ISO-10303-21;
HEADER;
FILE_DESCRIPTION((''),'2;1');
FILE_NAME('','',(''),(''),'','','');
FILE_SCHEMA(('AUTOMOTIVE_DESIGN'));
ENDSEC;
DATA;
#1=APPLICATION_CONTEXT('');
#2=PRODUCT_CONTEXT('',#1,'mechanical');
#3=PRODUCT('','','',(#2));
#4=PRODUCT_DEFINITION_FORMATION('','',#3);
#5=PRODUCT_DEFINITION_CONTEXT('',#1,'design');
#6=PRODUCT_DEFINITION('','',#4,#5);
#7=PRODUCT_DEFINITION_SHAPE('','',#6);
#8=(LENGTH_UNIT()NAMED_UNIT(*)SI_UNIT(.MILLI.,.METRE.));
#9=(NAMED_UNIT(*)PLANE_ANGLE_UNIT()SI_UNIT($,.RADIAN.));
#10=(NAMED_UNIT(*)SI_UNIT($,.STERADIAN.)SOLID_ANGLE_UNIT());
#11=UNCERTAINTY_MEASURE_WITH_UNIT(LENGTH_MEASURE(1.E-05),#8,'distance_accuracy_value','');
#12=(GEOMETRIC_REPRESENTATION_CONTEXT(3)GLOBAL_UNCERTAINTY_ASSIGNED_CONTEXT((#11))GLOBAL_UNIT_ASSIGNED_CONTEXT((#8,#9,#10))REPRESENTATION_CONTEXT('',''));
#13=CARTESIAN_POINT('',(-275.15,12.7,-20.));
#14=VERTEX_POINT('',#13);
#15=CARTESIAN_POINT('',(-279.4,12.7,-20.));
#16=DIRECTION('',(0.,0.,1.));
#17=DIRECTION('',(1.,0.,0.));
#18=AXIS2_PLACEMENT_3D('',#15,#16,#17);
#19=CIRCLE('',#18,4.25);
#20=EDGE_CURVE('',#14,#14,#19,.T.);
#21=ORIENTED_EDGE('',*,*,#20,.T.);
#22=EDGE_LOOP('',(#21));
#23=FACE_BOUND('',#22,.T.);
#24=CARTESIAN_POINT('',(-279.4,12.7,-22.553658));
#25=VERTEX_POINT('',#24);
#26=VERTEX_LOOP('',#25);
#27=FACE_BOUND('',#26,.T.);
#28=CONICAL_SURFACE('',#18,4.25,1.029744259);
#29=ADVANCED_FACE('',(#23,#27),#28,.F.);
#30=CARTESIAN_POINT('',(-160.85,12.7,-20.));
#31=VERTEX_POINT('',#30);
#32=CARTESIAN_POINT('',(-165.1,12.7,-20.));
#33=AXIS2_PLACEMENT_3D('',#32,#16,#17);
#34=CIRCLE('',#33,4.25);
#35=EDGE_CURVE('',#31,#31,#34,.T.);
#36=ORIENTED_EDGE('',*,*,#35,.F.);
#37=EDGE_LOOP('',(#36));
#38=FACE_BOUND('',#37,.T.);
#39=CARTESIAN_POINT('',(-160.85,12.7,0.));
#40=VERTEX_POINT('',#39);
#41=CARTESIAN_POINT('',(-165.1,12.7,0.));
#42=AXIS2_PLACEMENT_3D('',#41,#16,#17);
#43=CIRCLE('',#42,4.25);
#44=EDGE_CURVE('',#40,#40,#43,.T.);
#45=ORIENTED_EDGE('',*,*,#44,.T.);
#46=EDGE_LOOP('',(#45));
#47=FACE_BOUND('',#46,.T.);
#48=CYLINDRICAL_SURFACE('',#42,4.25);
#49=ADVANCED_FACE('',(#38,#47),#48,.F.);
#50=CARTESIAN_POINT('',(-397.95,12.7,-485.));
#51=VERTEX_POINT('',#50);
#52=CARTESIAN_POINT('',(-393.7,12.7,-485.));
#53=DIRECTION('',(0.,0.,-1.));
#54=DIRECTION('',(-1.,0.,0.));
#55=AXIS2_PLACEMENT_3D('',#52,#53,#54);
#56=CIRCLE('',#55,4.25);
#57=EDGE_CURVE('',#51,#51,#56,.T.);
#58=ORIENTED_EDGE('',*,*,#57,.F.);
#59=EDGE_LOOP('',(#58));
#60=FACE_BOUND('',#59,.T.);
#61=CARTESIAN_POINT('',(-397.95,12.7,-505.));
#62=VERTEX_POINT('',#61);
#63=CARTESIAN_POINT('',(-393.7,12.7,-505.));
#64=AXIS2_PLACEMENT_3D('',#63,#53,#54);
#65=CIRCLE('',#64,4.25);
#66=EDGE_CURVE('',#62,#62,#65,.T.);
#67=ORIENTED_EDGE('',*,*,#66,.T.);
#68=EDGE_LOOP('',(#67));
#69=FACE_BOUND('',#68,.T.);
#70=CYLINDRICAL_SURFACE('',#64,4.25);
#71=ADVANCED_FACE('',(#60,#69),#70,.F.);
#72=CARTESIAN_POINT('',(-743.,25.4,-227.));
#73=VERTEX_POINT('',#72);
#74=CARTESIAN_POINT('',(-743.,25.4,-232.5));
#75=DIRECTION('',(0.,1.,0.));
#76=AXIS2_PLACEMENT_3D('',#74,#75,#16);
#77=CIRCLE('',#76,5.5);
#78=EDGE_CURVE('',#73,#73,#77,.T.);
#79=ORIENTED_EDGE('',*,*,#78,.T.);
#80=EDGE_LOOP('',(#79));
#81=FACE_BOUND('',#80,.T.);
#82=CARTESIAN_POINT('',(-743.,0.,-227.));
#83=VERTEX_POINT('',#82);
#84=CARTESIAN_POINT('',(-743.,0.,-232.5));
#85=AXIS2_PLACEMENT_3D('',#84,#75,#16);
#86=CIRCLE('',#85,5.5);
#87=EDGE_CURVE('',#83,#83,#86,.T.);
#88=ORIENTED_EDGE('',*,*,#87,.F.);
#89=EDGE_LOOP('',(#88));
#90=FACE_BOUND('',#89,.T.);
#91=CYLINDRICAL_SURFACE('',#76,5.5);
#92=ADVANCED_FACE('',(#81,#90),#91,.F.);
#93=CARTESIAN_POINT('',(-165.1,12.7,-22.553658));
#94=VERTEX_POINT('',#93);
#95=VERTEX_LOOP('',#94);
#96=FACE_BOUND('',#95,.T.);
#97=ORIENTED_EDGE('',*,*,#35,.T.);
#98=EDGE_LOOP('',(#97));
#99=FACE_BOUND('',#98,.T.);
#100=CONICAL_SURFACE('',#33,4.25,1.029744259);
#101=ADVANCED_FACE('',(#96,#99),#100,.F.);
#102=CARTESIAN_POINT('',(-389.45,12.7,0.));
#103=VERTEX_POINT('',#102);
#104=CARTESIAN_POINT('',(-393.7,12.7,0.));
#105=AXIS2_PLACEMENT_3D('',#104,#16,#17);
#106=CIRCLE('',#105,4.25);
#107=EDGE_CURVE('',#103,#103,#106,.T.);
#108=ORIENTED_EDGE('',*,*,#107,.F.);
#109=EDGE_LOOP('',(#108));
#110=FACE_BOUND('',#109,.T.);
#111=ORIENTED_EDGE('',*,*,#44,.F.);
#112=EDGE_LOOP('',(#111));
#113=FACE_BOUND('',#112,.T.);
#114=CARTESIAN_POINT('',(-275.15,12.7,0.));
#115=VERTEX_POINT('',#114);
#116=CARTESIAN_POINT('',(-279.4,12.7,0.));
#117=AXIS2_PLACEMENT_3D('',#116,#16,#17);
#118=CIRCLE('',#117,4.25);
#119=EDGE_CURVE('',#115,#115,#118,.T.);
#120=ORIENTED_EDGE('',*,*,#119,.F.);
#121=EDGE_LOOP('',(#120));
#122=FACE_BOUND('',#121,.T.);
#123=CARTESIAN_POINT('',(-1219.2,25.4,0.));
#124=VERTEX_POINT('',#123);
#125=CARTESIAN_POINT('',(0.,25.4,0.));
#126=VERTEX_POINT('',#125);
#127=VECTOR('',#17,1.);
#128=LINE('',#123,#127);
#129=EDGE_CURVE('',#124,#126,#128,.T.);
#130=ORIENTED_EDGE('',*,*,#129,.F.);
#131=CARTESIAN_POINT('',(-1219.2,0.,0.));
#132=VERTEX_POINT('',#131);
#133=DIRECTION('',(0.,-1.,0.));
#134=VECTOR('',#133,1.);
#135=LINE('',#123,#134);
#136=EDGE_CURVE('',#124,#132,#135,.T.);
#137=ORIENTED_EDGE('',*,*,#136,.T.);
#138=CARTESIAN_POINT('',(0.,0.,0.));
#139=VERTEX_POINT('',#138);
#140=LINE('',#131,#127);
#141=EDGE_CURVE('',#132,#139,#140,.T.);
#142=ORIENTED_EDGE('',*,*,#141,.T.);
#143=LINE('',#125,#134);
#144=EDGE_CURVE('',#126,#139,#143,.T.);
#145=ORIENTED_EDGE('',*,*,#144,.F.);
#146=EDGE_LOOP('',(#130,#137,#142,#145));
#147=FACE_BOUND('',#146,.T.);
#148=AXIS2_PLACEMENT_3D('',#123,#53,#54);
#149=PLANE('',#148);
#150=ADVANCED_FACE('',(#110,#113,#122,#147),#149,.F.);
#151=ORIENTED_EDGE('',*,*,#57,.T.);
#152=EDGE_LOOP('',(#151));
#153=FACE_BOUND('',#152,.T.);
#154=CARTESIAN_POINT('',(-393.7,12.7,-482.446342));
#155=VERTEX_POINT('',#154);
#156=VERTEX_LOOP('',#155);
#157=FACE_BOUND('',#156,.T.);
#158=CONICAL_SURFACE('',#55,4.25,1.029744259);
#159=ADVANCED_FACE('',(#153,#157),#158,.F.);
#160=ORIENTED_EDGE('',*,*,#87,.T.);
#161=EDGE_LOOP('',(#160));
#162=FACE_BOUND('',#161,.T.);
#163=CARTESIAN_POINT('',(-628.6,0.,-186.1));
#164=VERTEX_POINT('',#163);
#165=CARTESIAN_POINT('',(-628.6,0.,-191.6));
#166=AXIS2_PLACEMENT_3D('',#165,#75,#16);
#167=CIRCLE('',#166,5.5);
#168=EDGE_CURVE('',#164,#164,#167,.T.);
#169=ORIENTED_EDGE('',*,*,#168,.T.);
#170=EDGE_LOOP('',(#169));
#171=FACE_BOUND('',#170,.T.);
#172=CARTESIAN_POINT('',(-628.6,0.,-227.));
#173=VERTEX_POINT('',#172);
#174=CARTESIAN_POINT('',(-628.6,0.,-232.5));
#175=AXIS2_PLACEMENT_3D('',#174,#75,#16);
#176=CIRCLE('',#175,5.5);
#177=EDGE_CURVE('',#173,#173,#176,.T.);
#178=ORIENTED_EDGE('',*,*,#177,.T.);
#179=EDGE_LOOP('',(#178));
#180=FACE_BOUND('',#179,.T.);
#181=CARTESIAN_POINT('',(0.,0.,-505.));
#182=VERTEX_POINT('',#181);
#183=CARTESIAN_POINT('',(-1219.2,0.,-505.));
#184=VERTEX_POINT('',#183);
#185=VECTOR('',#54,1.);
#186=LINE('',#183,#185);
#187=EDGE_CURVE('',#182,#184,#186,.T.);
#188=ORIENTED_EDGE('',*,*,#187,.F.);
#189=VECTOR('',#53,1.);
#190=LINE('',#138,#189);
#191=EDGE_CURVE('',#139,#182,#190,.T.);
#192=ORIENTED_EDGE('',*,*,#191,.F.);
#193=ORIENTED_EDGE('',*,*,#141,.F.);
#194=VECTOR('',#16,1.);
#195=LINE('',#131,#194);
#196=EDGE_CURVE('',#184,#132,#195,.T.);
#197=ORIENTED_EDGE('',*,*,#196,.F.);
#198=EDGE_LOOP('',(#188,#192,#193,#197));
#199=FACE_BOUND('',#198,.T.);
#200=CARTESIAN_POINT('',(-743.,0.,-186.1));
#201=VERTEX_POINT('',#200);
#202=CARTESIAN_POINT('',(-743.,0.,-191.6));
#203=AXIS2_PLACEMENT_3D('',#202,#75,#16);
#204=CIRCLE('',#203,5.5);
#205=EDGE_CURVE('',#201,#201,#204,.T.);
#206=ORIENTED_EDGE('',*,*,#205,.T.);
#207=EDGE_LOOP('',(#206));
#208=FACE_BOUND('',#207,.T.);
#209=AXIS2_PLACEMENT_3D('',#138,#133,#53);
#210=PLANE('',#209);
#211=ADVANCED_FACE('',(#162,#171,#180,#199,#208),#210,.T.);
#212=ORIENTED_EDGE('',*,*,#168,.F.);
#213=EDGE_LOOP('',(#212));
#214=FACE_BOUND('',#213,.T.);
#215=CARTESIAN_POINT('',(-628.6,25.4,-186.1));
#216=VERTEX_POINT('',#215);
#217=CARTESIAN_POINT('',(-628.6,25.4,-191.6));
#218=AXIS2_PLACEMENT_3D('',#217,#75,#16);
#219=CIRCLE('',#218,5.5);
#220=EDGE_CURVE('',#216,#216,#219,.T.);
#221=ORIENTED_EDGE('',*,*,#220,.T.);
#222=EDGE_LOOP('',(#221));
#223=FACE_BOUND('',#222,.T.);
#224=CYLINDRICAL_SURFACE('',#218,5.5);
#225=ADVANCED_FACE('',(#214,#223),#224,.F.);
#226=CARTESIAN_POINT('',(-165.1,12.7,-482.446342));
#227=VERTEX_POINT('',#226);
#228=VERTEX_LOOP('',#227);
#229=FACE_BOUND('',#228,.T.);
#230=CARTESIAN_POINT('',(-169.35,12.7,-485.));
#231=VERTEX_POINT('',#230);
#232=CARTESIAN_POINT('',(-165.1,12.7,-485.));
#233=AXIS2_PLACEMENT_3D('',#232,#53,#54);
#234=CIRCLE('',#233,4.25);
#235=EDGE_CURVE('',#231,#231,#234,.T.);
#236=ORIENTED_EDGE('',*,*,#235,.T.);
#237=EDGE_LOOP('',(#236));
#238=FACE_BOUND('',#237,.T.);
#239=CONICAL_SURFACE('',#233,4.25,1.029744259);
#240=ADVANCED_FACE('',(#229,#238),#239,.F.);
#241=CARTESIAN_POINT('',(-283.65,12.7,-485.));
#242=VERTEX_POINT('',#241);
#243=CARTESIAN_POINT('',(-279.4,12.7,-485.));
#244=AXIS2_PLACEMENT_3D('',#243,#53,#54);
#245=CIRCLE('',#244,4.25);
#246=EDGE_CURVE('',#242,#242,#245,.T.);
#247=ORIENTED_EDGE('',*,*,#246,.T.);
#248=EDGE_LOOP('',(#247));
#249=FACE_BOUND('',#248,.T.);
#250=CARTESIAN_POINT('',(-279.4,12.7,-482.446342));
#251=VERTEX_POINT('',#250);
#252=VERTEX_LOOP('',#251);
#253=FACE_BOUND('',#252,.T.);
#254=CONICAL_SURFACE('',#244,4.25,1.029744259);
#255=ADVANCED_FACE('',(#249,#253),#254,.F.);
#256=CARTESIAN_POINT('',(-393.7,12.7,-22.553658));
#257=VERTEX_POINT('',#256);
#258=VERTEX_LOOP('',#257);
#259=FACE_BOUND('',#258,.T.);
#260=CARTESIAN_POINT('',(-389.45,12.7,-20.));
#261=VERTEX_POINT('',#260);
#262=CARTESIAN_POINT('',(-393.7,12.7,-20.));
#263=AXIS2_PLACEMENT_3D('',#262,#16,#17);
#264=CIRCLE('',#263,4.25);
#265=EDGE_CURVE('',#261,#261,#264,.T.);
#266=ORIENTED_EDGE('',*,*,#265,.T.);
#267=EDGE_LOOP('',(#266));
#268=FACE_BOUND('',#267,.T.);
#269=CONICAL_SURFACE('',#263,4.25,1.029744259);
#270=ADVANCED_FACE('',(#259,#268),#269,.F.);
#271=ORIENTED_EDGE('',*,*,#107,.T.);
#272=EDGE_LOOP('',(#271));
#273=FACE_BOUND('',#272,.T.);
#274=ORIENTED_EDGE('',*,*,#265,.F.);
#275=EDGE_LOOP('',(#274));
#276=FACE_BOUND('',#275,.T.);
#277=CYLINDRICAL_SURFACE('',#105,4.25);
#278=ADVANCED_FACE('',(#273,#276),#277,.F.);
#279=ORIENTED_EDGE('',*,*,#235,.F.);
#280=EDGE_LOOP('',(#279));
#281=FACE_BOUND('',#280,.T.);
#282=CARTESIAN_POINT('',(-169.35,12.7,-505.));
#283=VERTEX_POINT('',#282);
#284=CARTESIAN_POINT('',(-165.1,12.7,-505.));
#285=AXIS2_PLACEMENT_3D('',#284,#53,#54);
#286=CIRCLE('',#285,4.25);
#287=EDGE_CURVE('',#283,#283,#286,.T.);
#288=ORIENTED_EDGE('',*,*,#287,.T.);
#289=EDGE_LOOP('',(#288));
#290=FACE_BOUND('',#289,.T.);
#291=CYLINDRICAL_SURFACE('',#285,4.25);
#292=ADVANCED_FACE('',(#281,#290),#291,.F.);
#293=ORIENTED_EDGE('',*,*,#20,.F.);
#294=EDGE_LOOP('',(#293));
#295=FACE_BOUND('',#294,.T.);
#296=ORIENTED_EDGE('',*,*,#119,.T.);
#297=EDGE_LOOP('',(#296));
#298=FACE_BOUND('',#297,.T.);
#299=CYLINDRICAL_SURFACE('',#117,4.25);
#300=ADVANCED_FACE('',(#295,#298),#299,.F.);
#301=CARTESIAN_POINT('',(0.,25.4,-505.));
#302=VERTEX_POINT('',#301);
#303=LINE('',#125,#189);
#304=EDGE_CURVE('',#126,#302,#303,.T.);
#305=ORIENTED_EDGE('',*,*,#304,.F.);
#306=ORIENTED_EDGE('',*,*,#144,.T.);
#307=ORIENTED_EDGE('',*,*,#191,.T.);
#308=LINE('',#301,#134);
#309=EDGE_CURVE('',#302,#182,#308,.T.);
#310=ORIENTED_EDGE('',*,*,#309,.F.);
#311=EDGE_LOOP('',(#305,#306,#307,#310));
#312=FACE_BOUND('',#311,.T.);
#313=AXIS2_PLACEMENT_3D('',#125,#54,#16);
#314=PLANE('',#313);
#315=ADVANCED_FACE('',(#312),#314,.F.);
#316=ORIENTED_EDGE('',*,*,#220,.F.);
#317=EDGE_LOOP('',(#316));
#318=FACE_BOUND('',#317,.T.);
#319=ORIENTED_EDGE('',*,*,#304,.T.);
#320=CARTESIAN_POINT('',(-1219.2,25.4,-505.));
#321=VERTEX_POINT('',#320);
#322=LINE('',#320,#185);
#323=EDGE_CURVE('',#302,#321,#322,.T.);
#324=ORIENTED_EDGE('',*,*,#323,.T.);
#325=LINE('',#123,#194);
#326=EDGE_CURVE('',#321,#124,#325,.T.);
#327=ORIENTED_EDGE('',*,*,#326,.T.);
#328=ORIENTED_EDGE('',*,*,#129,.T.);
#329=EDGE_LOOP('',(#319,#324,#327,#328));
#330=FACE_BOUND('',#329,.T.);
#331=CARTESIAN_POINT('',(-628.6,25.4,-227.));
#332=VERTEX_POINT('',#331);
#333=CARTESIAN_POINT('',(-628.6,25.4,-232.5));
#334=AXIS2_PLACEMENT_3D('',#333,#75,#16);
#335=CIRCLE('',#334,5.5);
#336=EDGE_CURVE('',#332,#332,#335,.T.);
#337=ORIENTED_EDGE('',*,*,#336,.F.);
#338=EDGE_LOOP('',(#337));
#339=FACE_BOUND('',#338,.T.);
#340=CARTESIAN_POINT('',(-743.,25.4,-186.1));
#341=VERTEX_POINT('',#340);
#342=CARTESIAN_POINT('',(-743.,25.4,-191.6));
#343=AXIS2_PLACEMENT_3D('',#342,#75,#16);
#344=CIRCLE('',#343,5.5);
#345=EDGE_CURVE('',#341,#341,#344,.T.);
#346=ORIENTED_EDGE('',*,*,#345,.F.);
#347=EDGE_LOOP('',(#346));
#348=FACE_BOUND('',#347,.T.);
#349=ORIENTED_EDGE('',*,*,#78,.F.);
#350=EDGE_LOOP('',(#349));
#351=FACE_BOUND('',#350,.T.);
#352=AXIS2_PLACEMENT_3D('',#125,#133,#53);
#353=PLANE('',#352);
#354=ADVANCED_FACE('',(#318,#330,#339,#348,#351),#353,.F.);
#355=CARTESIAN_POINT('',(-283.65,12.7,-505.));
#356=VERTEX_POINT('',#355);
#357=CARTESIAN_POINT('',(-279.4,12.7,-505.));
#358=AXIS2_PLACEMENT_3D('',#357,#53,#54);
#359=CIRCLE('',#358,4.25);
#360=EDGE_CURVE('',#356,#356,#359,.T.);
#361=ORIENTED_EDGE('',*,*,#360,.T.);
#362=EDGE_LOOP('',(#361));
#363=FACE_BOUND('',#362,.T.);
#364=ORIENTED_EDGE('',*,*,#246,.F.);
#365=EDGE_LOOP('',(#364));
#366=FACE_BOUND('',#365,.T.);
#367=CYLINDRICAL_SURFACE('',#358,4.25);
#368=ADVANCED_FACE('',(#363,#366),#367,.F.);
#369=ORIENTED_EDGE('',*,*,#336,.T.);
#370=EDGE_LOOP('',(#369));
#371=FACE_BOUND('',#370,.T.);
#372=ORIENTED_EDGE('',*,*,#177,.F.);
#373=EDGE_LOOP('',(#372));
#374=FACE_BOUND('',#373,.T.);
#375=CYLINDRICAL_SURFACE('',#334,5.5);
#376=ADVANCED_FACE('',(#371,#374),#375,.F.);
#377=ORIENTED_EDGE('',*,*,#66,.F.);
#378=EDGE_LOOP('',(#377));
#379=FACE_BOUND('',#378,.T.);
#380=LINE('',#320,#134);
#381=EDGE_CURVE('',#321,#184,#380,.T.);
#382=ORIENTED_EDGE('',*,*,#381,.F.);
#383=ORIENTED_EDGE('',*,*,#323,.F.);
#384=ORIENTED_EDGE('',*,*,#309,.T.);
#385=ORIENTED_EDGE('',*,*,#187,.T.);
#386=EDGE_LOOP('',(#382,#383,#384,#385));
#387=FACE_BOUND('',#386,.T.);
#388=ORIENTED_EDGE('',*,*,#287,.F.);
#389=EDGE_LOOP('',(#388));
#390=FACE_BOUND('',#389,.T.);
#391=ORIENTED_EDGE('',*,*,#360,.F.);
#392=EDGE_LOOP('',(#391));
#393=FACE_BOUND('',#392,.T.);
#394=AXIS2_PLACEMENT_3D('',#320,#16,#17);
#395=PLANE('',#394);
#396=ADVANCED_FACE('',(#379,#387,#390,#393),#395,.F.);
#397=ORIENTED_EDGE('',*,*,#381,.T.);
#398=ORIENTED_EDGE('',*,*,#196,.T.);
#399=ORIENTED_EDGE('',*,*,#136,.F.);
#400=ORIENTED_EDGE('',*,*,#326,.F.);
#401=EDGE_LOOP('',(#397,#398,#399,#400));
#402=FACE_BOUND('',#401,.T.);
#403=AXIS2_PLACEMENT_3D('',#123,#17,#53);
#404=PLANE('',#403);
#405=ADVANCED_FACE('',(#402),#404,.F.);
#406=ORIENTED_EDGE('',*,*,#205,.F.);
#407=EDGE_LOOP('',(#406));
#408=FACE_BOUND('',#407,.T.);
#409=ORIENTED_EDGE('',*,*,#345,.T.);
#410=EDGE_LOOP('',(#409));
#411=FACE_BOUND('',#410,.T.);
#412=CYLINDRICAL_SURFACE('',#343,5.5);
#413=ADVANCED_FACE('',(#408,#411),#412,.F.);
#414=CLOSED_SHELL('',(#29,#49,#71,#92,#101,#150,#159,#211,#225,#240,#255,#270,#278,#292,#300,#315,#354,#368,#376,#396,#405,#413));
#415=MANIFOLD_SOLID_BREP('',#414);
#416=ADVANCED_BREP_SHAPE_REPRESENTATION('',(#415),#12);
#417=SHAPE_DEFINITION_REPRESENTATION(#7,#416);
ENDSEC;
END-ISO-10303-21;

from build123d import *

# Parameters (mm, degrees)
SKETCH1_W                        = 1219.2
SKETCH1_H                        = 505
BOSS_EXTRUDE1_DEPTH              = 25.4
TAP_DRILL_FOR_M10X1_5_TAP1_D     = 8.5
TAP_DRILL_FOR_M10X1_5_TAP1_DEPTH = 20
TAP_DRILL_FOR_M10X1_5_TAP1_TIP   = 2.553657631
TAP_DRILL_FOR_M10X1_5_TAP2_D     = 8.5
TAP_DRILL_FOR_M10X1_5_TAP2_DEPTH = 20
TAP_DRILL_FOR_M10X1_5_TAP2_TIP   = 2.553657631
M10_CLEARANCE_HOLE1_D            = 11


with BuildPart() as part:
    # Sketch1 → Boss-Extrude1 (new body)
    with BuildSketch(Plane(origin=(0, 0, 0), x_dir=(1, 0, 0), z_dir=(0, 1, 0))):
        with Locations((-609.6, 252.5)):
            Rectangle(SKETCH1_W, SKETCH1_H)
    extrude(amount=BOSS_EXTRUDE1_DEPTH)

    # Tap Drill for M10x1.5 Tap1
    with Locations(Plane.XY):
        with Locations((-393.7, 12.7), (-279.4, 12.7), (-165.1, 12.7)):
            Hole(TAP_DRILL_FOR_M10X1_5_TAP1_D / 2, depth=TAP_DRILL_FOR_M10X1_5_TAP1_DEPTH)
            with Locations((0, 0, -(TAP_DRILL_FOR_M10X1_5_TAP1_DEPTH + TAP_DRILL_FOR_M10X1_5_TAP1_TIP / 2))):  # 118° drill point
                Cone(0, TAP_DRILL_FOR_M10X1_5_TAP1_D / 2, TAP_DRILL_FOR_M10X1_5_TAP1_TIP, mode=Mode.SUBTRACT)

    # Tap Drill for M10x1.5 Tap2
    with Locations(Plane(origin=(0, 0, -505), x_dir=(-1, 0, 0), z_dir=(0, 0, -1))):
        with Locations((165.1, 12.7), (279.4, 12.7), (393.7, 12.7)):
            Hole(TAP_DRILL_FOR_M10X1_5_TAP2_D / 2, depth=TAP_DRILL_FOR_M10X1_5_TAP2_DEPTH)
            with Locations((0, 0, -(TAP_DRILL_FOR_M10X1_5_TAP2_DEPTH + TAP_DRILL_FOR_M10X1_5_TAP2_TIP / 2))):  # 118° drill point
                Cone(0, TAP_DRILL_FOR_M10X1_5_TAP2_D / 2, TAP_DRILL_FOR_M10X1_5_TAP2_TIP, mode=Mode.SUBTRACT)

    # M10 Clearance Hole1 (through all)
    with Locations(Plane(origin=(0, 25.4, 0), x_dir=(1, 0, 0), z_dir=(0, 1, 0))):
        with Locations((-628.6, 191.6), (-628.6, 232.5), (-743, 232.5), (-743, 191.6)):
            Hole(M10_CLEARANCE_HOLE1_D / 2)


solid = part.part
